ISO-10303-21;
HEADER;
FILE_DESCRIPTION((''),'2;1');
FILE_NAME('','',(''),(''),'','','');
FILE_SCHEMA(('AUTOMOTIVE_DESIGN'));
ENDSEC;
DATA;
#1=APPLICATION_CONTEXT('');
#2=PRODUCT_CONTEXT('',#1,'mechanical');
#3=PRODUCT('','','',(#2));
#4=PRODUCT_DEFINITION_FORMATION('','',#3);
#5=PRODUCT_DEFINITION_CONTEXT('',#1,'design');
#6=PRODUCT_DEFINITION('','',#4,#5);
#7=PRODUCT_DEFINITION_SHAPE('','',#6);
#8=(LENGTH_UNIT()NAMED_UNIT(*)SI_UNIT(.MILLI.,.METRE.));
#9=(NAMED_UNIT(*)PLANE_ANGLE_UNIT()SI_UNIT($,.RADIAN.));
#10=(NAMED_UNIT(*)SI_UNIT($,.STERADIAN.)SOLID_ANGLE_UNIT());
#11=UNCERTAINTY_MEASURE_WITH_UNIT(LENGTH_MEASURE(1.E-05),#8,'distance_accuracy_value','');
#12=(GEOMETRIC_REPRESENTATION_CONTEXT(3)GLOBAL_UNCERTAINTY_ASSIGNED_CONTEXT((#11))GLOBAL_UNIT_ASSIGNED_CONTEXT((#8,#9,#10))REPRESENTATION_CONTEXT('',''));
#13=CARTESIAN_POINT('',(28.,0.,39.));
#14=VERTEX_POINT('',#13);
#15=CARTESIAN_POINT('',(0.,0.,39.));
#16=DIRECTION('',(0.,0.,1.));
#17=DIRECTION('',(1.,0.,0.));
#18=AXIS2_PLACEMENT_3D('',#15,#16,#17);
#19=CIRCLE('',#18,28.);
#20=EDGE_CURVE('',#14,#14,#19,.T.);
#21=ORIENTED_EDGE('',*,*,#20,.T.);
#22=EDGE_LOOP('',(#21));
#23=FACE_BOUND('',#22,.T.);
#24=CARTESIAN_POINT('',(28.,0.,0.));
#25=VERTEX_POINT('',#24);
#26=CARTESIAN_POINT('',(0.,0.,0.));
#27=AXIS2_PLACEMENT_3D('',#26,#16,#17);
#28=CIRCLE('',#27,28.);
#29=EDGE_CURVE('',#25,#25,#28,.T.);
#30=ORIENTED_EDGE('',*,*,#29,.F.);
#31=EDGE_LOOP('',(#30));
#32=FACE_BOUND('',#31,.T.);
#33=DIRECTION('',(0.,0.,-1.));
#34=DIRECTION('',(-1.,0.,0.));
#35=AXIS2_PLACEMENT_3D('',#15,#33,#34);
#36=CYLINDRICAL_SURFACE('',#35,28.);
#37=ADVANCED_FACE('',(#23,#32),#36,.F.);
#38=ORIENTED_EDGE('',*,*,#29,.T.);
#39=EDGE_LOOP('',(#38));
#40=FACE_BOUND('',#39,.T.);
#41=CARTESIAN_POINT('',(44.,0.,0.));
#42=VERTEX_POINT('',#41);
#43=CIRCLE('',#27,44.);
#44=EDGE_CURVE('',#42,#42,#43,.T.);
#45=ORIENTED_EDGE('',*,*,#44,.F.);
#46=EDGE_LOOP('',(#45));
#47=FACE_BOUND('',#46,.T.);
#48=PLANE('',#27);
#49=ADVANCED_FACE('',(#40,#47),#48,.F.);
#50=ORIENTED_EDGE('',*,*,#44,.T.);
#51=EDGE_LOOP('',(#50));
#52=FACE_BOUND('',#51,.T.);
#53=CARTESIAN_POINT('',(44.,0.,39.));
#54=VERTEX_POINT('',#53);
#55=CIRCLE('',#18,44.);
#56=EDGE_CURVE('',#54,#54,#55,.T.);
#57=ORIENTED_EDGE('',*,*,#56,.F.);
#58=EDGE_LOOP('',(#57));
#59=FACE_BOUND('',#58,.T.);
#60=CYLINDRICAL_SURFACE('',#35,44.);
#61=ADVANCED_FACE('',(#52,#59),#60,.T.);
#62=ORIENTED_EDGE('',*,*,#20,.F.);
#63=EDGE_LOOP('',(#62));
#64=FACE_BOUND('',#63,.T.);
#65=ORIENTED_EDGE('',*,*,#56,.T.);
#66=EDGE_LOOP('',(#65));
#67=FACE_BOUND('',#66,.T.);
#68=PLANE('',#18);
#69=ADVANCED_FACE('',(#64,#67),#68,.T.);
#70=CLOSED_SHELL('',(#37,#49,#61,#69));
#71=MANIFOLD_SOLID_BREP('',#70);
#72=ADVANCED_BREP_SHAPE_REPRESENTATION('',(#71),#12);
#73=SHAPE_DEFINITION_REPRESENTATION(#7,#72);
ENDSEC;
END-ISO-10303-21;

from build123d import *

# Parameters (mm, degrees)
SKETCH1_R           = 44
SKETCH1_R_2         = 28
BOSS_EXTRUDE1_DEPTH = 39


with BuildPart() as part:
    # Sketch1 → Boss-Extrude1 (new body)
    with BuildSketch(Plane.XY):
        Circle(SKETCH1_R)
        Circle(SKETCH1_R_2, mode=Mode.SUBTRACT)
    extrude(amount=BOSS_EXTRUDE1_DEPTH)


solid = part.part
